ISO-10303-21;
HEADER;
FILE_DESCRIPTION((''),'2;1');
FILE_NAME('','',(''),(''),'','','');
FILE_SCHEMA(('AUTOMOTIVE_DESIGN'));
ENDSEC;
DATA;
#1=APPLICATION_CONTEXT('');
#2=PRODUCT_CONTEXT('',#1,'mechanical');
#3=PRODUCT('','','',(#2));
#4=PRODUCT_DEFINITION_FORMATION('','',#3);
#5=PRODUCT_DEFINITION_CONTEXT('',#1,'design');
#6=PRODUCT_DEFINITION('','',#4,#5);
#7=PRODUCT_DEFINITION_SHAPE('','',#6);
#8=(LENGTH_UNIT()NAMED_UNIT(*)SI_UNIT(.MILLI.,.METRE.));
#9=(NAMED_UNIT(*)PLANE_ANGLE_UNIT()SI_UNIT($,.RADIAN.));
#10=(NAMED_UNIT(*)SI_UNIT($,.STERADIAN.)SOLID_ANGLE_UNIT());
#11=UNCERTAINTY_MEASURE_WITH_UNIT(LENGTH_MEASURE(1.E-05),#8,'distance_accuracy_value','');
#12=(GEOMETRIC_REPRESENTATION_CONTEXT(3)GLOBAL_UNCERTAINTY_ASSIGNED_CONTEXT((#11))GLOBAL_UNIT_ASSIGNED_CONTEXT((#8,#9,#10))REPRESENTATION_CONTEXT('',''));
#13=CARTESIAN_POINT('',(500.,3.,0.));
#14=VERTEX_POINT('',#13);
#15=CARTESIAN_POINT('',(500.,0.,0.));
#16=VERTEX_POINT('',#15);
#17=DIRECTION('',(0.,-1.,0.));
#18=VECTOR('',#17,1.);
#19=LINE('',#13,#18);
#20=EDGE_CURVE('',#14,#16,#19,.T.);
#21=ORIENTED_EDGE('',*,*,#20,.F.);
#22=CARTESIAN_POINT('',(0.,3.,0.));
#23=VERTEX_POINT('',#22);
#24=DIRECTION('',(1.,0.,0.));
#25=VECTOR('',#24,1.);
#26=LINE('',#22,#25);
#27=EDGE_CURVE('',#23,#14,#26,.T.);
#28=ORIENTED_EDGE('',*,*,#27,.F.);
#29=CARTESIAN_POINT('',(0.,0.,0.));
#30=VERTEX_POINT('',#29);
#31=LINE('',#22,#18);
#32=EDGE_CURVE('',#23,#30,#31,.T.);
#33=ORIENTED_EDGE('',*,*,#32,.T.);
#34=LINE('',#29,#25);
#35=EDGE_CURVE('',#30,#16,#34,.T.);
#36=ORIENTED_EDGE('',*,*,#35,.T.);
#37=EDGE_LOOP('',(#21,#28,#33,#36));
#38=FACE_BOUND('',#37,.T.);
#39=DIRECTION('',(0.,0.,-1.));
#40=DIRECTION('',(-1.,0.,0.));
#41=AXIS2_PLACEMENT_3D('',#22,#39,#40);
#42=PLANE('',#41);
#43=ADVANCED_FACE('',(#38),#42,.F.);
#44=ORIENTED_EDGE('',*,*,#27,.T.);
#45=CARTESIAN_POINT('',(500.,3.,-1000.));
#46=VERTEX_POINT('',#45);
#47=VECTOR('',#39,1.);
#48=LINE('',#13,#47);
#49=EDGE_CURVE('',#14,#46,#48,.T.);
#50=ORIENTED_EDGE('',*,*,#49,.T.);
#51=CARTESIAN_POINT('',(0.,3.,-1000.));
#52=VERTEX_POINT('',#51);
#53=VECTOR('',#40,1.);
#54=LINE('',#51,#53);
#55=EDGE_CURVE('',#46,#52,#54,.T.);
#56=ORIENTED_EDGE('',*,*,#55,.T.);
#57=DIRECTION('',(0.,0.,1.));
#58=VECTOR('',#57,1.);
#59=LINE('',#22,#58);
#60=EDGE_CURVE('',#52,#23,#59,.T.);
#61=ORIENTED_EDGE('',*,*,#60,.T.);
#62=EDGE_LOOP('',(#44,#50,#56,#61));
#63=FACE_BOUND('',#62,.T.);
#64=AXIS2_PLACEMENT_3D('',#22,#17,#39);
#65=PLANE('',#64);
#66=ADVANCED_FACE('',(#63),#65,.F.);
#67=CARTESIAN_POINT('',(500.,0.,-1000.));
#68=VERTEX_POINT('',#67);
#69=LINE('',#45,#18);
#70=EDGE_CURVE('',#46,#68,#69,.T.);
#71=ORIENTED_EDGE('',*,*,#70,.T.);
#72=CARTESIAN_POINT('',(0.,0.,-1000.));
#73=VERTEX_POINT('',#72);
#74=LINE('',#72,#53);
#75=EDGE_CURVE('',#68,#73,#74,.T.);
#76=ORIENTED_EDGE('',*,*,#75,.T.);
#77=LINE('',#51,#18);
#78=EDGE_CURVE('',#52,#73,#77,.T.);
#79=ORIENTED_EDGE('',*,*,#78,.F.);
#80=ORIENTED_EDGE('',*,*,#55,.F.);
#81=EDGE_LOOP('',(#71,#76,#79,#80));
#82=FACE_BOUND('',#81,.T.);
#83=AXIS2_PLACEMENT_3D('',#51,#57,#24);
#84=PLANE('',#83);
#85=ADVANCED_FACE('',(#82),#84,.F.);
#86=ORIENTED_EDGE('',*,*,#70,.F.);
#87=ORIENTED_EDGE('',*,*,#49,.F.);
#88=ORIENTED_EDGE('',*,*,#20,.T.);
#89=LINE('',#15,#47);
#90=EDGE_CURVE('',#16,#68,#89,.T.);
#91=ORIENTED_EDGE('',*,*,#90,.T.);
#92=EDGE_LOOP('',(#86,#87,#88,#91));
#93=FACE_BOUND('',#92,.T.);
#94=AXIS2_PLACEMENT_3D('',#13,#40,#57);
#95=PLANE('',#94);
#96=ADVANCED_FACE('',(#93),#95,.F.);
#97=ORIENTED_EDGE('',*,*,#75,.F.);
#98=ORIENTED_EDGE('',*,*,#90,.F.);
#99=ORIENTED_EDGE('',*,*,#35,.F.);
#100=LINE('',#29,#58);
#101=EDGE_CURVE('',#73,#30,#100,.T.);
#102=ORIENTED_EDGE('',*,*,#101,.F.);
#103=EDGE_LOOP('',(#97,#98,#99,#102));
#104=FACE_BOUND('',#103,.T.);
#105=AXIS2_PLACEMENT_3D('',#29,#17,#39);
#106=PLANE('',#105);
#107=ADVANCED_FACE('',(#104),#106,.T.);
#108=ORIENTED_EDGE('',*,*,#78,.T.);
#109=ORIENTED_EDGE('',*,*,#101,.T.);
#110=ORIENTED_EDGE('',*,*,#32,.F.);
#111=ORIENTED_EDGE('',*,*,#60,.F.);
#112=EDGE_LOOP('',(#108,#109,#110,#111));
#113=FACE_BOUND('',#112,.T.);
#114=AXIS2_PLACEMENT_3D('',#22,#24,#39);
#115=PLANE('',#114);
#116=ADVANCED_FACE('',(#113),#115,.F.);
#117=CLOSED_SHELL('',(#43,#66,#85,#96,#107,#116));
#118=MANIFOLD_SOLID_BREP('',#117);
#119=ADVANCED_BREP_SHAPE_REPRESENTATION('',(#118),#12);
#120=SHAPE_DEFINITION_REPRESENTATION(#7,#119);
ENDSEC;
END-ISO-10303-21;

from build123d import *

# Parameters (mm, degrees)
IZIM1_W                     = 500
IZIM1_H                     = 1000
Y_KSEKLIK_EKSTR_ZYON1_DEPTH = 3


with BuildPart() as part:
    # Çizim1 → Yükseklik-Ekstrüzyon1 (new body)
    with BuildSketch(Plane(origin=(0, 0, 0), x_dir=(1, 0, 0), z_dir=(0, 1, 0))):
        with Locations((250, 500)):
            Rectangle(IZIM1_W, IZIM1_H)
    extrude(amount=Y_KSEKLIK_EKSTR_ZYON1_DEPTH)


solid = part.part
